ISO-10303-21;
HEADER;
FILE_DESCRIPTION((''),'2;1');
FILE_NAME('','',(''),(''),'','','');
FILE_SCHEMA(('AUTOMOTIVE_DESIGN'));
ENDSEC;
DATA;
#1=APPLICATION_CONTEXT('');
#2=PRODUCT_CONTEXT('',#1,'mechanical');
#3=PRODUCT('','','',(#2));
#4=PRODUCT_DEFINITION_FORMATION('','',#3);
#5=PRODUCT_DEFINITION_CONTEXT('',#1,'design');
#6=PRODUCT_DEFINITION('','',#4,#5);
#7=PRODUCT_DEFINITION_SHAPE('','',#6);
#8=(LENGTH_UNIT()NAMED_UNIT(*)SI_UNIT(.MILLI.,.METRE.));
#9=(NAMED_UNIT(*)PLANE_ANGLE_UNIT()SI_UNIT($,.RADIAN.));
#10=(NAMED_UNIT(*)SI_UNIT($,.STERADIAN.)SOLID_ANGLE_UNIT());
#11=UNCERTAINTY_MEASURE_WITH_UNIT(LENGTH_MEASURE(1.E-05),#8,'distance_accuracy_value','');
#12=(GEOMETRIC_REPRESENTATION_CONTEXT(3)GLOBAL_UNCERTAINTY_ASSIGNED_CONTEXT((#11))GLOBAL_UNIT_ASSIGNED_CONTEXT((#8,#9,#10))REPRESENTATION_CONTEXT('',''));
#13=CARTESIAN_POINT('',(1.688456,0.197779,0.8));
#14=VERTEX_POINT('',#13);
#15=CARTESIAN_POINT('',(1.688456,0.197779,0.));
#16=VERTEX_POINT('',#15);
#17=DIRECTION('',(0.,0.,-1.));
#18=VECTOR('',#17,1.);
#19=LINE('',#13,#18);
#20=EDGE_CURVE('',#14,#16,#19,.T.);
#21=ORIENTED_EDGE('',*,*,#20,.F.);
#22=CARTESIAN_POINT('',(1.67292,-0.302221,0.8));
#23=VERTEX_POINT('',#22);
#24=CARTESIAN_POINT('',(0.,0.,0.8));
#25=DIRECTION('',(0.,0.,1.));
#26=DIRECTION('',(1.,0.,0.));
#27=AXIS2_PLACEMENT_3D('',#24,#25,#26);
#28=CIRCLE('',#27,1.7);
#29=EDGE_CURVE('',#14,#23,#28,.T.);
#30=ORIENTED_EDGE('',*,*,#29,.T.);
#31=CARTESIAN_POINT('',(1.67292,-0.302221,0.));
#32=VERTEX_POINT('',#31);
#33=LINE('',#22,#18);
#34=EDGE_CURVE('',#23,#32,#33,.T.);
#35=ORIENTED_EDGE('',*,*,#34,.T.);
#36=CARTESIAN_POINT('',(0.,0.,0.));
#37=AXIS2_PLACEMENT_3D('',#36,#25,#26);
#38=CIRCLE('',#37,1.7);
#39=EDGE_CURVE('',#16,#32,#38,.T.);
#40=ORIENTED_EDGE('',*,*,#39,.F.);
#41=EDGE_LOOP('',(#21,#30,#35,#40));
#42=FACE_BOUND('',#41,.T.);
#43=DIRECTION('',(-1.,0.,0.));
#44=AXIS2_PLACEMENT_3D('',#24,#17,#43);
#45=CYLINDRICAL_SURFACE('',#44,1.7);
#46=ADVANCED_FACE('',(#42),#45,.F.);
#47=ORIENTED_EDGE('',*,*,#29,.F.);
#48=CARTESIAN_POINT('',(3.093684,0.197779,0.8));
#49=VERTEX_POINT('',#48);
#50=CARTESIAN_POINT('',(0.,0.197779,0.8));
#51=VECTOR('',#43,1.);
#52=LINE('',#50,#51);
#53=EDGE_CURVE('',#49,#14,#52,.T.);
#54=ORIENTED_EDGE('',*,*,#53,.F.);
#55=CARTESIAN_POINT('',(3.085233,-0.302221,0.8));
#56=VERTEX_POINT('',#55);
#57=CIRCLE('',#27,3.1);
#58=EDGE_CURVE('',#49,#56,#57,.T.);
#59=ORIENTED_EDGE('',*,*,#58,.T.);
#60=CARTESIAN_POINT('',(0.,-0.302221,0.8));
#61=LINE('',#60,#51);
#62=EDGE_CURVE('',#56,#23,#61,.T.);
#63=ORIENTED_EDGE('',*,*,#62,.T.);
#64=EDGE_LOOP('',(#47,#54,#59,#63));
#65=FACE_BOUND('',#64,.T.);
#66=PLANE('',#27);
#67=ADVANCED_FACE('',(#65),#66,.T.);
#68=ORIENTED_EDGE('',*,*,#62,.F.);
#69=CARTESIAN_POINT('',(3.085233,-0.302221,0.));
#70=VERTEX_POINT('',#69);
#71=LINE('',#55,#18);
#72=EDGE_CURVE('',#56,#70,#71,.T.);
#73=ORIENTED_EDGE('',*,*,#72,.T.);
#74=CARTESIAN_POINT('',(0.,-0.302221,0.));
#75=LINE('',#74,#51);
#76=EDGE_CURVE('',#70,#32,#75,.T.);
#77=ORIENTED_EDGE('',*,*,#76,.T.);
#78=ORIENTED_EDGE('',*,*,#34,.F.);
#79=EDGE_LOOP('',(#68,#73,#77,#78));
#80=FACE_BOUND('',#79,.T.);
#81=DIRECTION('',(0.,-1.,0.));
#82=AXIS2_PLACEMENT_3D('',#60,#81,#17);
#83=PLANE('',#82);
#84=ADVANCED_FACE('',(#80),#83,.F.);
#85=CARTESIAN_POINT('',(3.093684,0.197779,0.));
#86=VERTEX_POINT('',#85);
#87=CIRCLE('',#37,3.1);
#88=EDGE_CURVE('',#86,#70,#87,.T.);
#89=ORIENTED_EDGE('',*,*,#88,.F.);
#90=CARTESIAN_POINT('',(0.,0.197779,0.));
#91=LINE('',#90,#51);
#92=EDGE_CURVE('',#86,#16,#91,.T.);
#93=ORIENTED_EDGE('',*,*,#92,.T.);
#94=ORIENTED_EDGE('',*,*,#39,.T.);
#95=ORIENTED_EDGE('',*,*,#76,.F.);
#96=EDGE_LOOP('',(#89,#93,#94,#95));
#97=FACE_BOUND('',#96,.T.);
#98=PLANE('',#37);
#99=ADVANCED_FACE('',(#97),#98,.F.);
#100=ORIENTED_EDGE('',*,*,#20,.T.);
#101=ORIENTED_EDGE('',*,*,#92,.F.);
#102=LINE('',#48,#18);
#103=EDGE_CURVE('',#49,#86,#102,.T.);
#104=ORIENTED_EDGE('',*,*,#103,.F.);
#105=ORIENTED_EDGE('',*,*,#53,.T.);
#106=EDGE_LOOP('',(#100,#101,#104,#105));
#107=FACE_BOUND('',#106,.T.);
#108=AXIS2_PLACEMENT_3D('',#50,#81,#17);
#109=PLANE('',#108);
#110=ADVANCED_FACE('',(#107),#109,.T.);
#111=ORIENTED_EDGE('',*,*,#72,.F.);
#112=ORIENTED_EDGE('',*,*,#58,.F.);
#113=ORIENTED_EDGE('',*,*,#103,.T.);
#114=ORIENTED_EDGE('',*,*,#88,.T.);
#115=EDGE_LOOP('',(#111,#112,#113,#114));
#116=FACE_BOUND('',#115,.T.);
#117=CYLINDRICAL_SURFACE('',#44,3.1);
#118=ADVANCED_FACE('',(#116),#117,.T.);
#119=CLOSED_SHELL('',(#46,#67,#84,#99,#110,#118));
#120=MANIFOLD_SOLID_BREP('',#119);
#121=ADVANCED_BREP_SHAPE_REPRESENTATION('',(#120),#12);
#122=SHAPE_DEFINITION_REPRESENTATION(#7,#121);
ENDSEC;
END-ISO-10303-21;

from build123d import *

# Parameters (mm, degrees)
BOSS_EXTRUDE1_DEPTH = 0.8


with BuildPart() as part:
    # Sketch1 → Boss-Extrude1 (new body)
    with BuildSketch(Plane.XY):
        with BuildLine():
            ThreePointArc((3.093684426, 0.197779353), (-3.09955725, 0.052391341), (3.085233003, -0.302220647))
            Line((3.085233003, -0.302220647), (1.672920405, -0.302220647))
            ThreePointArc((1.672920405, -0.302220647), (-1.699179998, 0.052795207), (1.6884559, 0.197779353))
            Line((1.6884559, 0.197779353), (3.093684426, 0.197779353))
        make_face()
    extrude(amount=BOSS_EXTRUDE1_DEPTH)


solid = part.part
